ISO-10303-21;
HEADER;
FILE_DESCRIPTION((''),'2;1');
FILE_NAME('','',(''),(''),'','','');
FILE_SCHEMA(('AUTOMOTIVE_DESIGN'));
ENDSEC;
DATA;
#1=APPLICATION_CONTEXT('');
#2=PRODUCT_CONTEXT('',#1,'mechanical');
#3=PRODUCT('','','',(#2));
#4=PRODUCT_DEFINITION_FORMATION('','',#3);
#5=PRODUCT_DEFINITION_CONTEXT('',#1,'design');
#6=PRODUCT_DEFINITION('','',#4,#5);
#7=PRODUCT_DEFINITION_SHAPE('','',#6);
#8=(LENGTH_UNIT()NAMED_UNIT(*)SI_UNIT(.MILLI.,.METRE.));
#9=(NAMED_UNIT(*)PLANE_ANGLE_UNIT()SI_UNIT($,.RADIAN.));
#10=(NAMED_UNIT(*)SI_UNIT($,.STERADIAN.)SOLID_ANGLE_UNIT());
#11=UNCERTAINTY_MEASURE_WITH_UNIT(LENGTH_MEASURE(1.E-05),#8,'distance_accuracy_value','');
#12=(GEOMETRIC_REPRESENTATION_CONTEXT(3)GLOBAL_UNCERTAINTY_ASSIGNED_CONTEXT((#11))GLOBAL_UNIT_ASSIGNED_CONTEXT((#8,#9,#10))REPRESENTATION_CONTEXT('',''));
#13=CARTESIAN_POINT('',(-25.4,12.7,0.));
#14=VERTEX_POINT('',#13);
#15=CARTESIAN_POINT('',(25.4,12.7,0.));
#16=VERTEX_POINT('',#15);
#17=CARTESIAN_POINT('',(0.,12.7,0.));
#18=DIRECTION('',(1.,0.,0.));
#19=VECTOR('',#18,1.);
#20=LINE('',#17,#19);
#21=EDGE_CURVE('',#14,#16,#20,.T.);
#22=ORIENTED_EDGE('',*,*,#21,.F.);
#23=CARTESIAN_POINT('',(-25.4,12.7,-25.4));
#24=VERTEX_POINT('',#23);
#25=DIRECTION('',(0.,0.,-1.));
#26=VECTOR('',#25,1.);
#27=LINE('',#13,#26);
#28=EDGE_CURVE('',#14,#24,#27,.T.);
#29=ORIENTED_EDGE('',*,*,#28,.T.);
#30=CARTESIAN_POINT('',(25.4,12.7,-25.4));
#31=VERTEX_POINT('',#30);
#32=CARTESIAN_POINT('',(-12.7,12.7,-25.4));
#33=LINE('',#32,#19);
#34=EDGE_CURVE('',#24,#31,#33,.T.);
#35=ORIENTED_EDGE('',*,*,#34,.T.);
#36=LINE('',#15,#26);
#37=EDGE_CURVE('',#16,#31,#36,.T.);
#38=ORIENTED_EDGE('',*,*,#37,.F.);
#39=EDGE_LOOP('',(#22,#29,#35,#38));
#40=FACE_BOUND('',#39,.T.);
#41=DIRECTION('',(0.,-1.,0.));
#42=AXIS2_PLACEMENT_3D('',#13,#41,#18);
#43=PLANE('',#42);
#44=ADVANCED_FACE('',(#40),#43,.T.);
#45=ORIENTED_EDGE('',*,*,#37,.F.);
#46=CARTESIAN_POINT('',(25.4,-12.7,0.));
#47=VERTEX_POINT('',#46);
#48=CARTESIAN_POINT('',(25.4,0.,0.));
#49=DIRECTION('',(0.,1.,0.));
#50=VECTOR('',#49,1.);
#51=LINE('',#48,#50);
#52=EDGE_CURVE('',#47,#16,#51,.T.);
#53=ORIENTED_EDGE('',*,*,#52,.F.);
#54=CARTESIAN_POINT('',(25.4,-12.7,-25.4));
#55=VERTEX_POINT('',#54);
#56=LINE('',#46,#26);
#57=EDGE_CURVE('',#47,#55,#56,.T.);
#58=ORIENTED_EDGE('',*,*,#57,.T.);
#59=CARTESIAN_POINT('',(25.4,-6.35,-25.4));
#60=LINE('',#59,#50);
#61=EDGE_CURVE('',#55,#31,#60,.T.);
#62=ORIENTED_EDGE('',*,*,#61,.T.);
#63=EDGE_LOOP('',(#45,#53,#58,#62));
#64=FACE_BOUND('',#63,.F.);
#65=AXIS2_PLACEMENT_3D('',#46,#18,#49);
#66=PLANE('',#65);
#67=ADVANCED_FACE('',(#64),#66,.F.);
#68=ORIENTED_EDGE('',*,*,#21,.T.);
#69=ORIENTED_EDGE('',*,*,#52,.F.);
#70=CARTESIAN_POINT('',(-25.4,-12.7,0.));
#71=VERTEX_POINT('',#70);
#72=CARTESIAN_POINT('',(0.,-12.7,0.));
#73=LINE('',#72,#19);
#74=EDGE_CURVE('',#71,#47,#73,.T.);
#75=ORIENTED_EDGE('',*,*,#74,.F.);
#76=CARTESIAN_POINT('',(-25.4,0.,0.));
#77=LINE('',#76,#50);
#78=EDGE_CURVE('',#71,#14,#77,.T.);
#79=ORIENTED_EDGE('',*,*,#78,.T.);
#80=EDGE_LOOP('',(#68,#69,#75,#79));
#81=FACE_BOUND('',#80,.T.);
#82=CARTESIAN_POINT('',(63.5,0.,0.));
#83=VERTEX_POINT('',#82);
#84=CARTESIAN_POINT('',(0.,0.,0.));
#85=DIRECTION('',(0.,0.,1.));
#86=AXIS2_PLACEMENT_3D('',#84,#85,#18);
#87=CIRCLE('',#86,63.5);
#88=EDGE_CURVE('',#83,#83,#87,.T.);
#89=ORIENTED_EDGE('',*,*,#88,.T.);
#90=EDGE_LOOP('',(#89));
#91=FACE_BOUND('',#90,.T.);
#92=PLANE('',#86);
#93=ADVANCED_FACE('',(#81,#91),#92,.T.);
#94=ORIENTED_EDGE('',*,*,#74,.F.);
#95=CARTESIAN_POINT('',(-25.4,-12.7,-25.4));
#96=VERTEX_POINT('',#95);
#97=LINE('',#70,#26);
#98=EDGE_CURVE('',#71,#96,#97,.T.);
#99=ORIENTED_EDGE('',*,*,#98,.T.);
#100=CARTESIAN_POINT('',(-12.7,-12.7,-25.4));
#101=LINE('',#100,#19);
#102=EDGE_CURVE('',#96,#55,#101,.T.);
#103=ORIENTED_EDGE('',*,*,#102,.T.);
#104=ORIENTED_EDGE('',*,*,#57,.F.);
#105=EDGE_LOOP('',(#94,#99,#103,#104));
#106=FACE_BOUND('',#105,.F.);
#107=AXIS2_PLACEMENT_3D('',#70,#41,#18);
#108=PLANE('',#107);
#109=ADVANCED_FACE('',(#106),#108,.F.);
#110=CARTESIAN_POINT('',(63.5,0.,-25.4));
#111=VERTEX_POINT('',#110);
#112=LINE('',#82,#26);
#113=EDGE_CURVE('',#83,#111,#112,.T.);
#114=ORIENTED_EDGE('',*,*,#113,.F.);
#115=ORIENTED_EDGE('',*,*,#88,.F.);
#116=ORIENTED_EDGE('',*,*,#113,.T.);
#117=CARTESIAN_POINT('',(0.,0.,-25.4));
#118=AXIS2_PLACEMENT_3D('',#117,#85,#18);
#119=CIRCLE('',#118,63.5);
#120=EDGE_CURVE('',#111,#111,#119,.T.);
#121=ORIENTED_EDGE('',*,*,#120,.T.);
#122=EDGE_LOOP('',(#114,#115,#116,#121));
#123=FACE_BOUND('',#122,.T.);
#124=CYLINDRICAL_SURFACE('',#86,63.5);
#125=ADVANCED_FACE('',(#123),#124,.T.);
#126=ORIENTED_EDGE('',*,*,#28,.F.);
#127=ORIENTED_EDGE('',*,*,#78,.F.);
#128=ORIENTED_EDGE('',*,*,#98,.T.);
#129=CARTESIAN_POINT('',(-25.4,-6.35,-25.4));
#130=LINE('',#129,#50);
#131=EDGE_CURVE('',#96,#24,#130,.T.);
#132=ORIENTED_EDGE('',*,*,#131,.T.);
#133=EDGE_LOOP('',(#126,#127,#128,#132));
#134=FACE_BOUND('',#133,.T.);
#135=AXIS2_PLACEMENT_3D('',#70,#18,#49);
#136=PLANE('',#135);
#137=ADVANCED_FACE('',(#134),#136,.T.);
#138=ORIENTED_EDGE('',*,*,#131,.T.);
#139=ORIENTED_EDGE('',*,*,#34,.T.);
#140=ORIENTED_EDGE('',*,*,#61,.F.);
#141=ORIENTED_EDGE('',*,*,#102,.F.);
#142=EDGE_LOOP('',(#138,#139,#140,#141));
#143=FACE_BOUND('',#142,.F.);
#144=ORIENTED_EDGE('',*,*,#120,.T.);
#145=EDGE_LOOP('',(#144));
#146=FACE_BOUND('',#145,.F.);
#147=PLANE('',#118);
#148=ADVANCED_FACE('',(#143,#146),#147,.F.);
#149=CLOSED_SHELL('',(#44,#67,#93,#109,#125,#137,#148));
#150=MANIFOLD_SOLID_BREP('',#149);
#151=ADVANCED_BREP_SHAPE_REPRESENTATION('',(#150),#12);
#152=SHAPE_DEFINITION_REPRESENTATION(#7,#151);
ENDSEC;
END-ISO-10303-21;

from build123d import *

# Parameters (mm, degrees)
F0_R     = 63.5
F1_DEPTH = 25.4
F2_W     = 50.8
F2_H     = 25.4
F3_DEPTH = 25.401


with BuildPart() as f1:
    # F0 (on Top) → F1 (new body)
    with BuildSketch(Plane.XY):
        Circle(F0_R)
    extrude(amount=-F1_DEPTH)

    # F2 (on face) → F3 (cut, through all)
    with BuildSketch(Plane.XY):
        Rectangle(F2_W, F2_H)
    extrude(amount=-F3_DEPTH, mode=Mode.SUBTRACT)


solid = f1.part
